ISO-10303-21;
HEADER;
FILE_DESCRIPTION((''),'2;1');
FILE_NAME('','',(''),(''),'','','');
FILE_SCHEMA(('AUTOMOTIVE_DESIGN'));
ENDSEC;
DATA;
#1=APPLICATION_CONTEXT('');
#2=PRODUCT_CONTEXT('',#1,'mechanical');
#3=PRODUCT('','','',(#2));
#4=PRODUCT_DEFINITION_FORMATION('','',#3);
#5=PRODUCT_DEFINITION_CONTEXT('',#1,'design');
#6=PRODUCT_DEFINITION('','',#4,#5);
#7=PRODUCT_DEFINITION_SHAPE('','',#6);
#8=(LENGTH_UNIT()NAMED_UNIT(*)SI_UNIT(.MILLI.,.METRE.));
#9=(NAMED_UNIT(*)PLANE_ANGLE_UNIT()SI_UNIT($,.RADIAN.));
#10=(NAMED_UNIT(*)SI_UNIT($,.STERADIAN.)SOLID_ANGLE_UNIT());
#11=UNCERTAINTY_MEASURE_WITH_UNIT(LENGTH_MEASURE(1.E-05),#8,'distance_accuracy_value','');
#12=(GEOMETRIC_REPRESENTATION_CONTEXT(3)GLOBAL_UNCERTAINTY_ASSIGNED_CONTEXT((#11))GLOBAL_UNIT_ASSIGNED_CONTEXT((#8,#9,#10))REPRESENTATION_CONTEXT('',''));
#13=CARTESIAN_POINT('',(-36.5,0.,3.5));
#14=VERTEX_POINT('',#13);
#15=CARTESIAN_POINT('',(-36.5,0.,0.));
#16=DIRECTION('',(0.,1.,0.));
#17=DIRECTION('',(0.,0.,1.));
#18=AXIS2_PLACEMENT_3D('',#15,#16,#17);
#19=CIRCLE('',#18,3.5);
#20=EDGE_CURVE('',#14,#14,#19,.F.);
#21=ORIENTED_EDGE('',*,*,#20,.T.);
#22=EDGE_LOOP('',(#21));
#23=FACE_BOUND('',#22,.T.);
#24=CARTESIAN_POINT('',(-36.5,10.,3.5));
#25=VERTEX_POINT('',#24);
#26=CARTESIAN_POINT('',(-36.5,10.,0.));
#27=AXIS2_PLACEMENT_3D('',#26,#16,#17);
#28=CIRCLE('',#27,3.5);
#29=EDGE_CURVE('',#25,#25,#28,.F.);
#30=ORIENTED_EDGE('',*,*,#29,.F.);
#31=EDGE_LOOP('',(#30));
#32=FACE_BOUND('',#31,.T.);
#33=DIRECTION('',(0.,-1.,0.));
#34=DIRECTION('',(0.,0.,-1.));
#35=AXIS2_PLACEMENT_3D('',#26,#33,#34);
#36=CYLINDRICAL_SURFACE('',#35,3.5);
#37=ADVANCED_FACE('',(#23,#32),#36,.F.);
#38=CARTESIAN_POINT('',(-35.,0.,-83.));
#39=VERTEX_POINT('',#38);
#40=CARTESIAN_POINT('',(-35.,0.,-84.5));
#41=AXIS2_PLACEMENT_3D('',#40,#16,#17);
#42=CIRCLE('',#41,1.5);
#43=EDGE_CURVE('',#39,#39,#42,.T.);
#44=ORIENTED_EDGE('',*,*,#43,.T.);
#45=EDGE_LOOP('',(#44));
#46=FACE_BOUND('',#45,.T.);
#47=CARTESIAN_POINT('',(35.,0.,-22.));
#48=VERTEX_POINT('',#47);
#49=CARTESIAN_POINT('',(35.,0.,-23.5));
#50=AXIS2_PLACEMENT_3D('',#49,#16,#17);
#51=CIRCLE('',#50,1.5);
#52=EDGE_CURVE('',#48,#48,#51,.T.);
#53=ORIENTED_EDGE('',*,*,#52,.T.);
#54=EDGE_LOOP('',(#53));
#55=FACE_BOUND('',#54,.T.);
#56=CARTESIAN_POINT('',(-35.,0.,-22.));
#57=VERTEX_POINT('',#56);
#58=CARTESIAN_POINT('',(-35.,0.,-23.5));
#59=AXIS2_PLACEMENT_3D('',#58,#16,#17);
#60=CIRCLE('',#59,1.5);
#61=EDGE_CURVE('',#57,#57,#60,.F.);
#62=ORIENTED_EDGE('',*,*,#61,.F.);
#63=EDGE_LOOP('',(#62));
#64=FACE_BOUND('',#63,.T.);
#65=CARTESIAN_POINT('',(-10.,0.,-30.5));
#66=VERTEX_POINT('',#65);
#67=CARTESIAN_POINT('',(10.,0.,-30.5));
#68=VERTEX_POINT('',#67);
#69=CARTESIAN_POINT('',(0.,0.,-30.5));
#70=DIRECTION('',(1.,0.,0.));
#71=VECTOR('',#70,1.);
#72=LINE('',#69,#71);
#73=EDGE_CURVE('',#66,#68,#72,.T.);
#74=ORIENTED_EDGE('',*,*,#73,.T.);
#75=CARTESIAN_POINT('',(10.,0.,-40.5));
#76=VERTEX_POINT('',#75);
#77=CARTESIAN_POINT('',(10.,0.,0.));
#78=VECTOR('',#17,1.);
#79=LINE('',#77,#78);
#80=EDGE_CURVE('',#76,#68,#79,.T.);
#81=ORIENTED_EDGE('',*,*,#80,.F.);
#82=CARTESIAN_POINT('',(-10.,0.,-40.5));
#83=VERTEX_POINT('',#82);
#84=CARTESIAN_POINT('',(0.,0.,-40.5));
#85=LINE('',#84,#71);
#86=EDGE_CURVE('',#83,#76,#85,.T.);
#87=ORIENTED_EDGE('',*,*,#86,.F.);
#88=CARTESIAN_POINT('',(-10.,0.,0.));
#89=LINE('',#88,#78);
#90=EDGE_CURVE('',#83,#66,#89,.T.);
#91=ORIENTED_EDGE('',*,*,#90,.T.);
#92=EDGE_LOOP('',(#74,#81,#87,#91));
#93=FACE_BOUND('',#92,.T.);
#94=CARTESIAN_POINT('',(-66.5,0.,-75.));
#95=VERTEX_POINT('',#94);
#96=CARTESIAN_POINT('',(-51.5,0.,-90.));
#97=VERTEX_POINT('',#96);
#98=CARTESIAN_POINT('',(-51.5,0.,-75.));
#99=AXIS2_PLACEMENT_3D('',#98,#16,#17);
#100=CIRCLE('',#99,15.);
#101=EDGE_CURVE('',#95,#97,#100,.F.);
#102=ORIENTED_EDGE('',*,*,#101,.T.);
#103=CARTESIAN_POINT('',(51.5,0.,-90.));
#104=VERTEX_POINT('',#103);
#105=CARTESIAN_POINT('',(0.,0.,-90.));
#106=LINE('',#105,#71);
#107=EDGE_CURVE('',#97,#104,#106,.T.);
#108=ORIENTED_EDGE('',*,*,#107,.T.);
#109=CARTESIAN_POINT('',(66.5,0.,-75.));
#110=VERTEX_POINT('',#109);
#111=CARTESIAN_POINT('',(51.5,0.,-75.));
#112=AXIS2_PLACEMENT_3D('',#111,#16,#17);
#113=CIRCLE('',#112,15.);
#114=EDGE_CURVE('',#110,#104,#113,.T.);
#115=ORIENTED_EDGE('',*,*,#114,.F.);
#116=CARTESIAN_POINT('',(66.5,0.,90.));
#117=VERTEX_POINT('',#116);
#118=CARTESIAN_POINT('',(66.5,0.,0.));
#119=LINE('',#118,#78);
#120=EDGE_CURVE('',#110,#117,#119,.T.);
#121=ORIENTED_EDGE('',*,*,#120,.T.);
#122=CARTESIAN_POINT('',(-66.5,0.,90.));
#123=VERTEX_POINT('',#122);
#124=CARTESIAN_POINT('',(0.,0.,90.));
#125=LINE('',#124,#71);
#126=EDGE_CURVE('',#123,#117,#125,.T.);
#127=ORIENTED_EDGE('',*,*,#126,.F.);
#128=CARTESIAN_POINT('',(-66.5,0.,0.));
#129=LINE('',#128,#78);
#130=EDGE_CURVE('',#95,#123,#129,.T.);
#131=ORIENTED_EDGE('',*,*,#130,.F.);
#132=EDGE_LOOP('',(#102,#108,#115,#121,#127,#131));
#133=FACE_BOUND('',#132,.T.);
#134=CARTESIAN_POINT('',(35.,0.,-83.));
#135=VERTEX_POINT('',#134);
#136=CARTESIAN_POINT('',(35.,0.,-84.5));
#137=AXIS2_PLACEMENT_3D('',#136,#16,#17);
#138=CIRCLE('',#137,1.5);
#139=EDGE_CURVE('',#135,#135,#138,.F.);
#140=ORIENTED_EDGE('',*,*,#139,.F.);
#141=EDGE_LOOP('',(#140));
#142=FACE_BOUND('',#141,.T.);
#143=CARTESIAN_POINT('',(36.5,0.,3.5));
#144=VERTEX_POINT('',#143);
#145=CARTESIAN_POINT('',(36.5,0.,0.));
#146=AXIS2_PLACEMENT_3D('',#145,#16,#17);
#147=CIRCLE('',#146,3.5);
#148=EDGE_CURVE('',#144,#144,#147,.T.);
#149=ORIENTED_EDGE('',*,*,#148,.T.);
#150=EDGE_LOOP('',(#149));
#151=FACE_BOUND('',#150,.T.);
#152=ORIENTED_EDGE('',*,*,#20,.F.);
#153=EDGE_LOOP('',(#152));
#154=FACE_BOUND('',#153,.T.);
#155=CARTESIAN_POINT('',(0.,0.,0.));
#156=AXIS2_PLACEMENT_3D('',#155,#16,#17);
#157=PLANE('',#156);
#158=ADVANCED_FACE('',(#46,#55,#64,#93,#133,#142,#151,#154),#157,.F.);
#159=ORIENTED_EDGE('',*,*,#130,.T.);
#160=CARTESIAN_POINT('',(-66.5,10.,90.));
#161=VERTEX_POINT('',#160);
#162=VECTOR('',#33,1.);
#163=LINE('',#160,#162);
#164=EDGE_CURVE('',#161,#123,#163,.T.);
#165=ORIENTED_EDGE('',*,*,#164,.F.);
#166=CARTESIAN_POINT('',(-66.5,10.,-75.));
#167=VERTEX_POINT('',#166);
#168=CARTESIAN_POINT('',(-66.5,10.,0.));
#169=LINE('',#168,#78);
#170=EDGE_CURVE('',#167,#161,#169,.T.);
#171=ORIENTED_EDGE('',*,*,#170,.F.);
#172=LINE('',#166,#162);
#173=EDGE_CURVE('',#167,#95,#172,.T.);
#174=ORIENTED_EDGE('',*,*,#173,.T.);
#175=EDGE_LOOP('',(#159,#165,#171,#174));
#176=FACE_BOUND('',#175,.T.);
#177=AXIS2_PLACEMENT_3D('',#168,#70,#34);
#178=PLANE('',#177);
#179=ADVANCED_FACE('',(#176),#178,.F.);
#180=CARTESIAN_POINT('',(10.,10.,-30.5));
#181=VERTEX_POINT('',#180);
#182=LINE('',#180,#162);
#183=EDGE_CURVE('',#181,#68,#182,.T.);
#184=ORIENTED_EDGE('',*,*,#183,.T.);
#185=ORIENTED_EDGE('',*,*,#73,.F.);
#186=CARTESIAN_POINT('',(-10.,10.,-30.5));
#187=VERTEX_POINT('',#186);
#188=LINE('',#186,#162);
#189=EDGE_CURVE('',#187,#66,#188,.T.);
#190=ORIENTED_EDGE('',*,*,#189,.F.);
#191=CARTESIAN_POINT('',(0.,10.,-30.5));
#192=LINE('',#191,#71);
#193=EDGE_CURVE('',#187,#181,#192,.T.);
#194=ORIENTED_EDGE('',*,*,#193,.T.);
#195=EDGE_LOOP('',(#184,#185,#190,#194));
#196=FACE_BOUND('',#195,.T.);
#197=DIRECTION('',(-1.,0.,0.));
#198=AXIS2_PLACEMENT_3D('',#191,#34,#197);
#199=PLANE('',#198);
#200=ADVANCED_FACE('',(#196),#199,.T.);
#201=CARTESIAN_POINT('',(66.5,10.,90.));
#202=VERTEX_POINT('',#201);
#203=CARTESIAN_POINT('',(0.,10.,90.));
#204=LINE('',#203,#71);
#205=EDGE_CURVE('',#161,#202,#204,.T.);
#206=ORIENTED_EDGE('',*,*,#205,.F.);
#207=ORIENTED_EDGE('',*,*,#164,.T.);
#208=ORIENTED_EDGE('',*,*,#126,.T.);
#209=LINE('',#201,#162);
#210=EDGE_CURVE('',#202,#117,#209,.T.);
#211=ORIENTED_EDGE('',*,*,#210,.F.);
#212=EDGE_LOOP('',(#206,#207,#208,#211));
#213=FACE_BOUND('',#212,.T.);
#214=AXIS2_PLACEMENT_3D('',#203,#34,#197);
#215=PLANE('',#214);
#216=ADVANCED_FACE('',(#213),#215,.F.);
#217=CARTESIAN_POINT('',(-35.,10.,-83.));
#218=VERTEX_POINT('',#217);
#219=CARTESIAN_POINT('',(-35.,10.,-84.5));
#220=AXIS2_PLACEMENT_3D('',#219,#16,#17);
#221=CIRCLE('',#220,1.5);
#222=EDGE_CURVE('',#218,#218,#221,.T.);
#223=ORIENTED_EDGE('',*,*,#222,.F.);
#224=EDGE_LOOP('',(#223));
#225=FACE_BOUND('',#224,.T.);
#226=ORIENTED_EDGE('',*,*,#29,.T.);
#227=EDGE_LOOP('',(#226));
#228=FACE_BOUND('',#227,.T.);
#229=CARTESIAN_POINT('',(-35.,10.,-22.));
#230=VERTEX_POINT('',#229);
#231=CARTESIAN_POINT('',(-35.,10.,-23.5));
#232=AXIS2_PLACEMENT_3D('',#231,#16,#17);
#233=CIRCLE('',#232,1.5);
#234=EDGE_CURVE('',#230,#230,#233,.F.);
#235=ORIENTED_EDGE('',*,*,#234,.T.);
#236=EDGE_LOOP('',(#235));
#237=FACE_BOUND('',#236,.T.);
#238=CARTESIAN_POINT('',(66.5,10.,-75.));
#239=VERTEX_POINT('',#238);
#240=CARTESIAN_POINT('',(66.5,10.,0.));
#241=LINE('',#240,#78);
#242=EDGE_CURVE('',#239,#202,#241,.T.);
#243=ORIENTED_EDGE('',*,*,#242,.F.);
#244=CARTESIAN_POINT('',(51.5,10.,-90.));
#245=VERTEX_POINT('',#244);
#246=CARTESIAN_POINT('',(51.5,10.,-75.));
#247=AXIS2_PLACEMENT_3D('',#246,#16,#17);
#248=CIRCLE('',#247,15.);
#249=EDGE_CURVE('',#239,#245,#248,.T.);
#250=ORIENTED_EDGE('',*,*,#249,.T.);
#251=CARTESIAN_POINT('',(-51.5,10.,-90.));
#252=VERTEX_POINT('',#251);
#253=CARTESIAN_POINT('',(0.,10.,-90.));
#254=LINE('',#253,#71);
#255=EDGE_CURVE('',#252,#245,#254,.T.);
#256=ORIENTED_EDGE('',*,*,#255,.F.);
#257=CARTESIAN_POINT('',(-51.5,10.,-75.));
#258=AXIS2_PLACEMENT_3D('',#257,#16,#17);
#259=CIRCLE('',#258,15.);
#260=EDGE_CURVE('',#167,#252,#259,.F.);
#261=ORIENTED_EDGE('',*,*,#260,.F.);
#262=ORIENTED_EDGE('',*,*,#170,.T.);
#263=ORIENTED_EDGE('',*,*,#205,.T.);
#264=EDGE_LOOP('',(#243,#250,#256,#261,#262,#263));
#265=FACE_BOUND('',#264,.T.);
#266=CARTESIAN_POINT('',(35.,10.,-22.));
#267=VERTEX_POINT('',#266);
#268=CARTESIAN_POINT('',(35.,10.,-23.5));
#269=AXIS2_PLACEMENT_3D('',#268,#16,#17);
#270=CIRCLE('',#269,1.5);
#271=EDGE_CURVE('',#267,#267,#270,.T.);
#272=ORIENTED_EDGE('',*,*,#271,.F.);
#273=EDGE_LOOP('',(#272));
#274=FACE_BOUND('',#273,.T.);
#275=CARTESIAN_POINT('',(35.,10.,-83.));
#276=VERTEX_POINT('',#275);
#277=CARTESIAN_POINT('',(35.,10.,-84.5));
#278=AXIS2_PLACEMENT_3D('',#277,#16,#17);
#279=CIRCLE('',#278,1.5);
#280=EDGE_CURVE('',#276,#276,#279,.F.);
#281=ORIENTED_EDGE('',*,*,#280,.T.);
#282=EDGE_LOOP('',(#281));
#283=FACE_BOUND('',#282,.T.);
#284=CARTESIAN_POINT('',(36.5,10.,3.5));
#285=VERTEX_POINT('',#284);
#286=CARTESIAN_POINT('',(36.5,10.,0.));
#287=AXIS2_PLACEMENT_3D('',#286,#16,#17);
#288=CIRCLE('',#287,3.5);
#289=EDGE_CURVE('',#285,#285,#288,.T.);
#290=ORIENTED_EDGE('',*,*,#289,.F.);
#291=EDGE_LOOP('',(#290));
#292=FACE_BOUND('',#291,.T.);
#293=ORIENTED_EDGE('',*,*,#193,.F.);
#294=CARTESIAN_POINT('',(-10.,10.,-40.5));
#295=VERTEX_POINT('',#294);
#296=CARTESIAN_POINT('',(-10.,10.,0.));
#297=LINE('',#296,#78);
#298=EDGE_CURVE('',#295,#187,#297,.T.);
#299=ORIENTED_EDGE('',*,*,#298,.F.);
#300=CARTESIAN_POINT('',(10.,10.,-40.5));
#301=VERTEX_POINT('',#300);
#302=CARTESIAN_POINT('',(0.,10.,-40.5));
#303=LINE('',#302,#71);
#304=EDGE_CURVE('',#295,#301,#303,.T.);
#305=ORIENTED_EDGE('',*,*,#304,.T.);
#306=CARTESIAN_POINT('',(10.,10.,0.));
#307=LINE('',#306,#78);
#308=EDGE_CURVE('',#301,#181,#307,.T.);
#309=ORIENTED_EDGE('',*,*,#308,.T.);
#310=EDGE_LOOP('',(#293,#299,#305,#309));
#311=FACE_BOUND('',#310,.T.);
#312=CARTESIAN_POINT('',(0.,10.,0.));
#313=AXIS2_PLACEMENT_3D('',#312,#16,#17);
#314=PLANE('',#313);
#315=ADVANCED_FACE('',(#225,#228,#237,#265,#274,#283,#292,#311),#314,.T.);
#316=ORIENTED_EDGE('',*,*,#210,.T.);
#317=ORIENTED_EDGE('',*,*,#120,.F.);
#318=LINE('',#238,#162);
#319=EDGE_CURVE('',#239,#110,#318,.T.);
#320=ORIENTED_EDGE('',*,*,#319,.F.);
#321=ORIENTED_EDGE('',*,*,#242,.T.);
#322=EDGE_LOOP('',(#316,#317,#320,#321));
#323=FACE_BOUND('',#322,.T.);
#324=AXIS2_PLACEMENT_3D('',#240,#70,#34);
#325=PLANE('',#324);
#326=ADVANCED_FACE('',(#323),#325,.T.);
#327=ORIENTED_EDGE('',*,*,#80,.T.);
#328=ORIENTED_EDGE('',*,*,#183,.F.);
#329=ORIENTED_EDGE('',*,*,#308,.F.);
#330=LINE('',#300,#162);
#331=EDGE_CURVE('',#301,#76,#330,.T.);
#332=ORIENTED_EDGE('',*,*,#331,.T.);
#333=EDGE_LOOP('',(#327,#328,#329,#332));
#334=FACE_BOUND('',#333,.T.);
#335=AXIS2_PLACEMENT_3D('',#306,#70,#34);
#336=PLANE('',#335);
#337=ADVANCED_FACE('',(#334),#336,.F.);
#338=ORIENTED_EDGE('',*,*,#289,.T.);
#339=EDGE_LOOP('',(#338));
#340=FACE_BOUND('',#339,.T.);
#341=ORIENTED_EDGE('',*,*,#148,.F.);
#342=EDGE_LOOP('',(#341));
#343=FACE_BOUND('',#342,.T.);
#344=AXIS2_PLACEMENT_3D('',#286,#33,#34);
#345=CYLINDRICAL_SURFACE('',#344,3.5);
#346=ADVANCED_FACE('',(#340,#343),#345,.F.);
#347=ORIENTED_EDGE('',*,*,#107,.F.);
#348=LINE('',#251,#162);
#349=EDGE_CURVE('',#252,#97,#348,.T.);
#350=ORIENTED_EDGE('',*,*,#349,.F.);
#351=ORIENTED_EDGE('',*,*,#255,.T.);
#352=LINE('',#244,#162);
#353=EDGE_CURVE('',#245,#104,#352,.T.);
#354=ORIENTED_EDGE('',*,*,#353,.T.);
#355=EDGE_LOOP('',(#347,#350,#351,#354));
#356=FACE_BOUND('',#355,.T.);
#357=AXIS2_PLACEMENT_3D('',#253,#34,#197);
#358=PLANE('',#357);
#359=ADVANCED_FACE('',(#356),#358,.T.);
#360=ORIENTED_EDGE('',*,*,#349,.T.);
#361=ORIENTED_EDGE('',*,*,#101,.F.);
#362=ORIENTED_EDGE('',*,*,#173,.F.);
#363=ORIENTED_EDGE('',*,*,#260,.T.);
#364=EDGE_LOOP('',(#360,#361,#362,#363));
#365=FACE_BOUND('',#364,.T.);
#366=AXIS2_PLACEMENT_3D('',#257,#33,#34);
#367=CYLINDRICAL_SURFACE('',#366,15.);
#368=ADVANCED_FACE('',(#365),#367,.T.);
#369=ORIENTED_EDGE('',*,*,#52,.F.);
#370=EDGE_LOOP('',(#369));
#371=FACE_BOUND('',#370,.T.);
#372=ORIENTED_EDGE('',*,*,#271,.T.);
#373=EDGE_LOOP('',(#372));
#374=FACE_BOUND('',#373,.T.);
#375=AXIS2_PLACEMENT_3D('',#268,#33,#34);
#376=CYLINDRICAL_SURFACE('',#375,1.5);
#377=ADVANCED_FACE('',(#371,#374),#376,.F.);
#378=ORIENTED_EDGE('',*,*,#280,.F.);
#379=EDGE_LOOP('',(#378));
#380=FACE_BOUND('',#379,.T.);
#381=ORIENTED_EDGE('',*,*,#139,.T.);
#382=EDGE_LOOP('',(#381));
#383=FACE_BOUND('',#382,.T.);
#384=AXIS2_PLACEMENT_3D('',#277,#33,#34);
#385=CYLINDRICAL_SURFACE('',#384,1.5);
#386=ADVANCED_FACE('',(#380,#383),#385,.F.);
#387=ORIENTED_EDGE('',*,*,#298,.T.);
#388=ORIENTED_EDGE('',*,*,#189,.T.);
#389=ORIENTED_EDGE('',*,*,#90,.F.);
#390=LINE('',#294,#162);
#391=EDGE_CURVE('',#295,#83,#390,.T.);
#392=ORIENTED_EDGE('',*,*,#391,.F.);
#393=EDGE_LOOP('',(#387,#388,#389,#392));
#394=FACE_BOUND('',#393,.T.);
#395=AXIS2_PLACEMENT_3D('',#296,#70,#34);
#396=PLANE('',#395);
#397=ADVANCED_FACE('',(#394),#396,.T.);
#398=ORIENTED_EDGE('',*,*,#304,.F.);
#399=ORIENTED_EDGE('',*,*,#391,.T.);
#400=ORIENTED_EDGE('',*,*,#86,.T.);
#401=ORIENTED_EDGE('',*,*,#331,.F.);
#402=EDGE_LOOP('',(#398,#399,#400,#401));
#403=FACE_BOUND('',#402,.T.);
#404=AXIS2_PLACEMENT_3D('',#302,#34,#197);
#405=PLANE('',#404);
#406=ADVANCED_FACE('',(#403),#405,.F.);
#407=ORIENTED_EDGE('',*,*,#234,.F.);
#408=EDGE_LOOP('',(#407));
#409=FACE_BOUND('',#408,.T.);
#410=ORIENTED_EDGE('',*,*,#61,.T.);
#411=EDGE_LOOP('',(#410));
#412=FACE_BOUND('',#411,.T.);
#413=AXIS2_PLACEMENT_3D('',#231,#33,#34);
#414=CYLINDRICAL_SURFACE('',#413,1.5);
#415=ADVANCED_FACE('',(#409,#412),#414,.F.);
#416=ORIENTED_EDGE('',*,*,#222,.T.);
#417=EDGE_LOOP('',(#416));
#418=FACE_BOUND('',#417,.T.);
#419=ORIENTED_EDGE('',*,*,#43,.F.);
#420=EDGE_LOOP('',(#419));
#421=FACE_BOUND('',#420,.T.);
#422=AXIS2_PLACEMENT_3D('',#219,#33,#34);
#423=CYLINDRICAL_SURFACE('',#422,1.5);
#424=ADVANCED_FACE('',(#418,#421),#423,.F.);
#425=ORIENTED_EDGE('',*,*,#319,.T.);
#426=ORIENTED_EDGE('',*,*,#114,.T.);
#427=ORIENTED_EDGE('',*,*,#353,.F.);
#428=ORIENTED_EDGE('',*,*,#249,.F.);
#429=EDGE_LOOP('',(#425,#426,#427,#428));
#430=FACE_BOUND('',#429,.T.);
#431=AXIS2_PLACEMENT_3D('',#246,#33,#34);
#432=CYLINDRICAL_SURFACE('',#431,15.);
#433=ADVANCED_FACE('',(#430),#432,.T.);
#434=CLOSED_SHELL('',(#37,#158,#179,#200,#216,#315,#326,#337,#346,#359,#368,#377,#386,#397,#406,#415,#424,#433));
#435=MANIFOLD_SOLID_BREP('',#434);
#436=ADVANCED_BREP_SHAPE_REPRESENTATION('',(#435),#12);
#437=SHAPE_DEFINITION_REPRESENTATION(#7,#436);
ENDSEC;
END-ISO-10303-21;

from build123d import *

# Parameters (mm, degrees)
SKETCH1_R           = 3.5
SKETCH1_R_2         = 1.5
SKETCH1_W           = 20
SKETCH1_H           = 10
BOSS_EXTRUDE1_DEPTH = 10


with BuildPart() as part:
    # Sketch1 → Boss-Extrude1 (new body)
    with BuildSketch(Plane(origin=(0, 0, 0), x_dir=(1, 0, 0), z_dir=(0, 1, 0))):
        Polygon((0.049612108, 0.067144207), (-66.5, -90), (66.5, -90), align=None)
        with BuildLine():
            Line((-66.5, 75), (-66.5, -90))
            Line((-66.5, -90), (0.049612108, 0.067144207))
            Line((0.049612108, 0.067144207), (-62.643246745, 85.041317243))
            ThreePointArc((-62.643246745, 85.041317243), (-65.502655126, 80.378257098), (-66.5, 75))
        make_face()
        with Locations((-36.5, 0)):
            Circle(SKETCH1_R, mode=Mode.SUBTRACT)
        with Locations((-35, 23.5)):
            Circle(SKETCH1_R_2, mode=Mode.SUBTRACT)
        with BuildLine():
            Line((62.748695437, 84.923046456), (0.049612108, 0.067144207))
            Line((0.049612108, 0.067144207), (66.5, -90))
            Line((66.5, -90), (66.5, 75))
            ThreePointArc((66.5, 75), (65.530866537, 80.304223244), (62.748695437, 84.923046456))
        make_face()
        with Locations((36.5, 0)):
            Circle(SKETCH1_R, mode=Mode.SUBTRACT)
        with Locations((35, 23.5)):
            Circle(SKETCH1_R_2, mode=Mode.SUBTRACT)
        with BuildLine():
            Line((-62.643246745, 85.041317243), (0.049612108, 0.067144207))
            Line((0.049612108, 0.067144207), (62.748695437, 84.923046456))
            ThreePointArc((62.748695437, 84.923046456), (57.670668649, 88.671973099), (51.5, 90))
            Line((51.5, 90), (-51.5, 90))
            ThreePointArc((-51.5, 90), (-57.598370329, 88.704374459), (-62.643246745, 85.041317243))
        make_face()
        with Locations((-35, 84.5)):
            Circle(SKETCH1_R_2, mode=Mode.SUBTRACT)
        with Locations((0, 35.5)):
            Rectangle(SKETCH1_W, SKETCH1_H, mode=Mode.SUBTRACT)
        with Locations((35, 84.5)):
            Circle(SKETCH1_R_2, mode=Mode.SUBTRACT)
    extrude(amount=BOSS_EXTRUDE1_DEPTH)


solid = part.part
